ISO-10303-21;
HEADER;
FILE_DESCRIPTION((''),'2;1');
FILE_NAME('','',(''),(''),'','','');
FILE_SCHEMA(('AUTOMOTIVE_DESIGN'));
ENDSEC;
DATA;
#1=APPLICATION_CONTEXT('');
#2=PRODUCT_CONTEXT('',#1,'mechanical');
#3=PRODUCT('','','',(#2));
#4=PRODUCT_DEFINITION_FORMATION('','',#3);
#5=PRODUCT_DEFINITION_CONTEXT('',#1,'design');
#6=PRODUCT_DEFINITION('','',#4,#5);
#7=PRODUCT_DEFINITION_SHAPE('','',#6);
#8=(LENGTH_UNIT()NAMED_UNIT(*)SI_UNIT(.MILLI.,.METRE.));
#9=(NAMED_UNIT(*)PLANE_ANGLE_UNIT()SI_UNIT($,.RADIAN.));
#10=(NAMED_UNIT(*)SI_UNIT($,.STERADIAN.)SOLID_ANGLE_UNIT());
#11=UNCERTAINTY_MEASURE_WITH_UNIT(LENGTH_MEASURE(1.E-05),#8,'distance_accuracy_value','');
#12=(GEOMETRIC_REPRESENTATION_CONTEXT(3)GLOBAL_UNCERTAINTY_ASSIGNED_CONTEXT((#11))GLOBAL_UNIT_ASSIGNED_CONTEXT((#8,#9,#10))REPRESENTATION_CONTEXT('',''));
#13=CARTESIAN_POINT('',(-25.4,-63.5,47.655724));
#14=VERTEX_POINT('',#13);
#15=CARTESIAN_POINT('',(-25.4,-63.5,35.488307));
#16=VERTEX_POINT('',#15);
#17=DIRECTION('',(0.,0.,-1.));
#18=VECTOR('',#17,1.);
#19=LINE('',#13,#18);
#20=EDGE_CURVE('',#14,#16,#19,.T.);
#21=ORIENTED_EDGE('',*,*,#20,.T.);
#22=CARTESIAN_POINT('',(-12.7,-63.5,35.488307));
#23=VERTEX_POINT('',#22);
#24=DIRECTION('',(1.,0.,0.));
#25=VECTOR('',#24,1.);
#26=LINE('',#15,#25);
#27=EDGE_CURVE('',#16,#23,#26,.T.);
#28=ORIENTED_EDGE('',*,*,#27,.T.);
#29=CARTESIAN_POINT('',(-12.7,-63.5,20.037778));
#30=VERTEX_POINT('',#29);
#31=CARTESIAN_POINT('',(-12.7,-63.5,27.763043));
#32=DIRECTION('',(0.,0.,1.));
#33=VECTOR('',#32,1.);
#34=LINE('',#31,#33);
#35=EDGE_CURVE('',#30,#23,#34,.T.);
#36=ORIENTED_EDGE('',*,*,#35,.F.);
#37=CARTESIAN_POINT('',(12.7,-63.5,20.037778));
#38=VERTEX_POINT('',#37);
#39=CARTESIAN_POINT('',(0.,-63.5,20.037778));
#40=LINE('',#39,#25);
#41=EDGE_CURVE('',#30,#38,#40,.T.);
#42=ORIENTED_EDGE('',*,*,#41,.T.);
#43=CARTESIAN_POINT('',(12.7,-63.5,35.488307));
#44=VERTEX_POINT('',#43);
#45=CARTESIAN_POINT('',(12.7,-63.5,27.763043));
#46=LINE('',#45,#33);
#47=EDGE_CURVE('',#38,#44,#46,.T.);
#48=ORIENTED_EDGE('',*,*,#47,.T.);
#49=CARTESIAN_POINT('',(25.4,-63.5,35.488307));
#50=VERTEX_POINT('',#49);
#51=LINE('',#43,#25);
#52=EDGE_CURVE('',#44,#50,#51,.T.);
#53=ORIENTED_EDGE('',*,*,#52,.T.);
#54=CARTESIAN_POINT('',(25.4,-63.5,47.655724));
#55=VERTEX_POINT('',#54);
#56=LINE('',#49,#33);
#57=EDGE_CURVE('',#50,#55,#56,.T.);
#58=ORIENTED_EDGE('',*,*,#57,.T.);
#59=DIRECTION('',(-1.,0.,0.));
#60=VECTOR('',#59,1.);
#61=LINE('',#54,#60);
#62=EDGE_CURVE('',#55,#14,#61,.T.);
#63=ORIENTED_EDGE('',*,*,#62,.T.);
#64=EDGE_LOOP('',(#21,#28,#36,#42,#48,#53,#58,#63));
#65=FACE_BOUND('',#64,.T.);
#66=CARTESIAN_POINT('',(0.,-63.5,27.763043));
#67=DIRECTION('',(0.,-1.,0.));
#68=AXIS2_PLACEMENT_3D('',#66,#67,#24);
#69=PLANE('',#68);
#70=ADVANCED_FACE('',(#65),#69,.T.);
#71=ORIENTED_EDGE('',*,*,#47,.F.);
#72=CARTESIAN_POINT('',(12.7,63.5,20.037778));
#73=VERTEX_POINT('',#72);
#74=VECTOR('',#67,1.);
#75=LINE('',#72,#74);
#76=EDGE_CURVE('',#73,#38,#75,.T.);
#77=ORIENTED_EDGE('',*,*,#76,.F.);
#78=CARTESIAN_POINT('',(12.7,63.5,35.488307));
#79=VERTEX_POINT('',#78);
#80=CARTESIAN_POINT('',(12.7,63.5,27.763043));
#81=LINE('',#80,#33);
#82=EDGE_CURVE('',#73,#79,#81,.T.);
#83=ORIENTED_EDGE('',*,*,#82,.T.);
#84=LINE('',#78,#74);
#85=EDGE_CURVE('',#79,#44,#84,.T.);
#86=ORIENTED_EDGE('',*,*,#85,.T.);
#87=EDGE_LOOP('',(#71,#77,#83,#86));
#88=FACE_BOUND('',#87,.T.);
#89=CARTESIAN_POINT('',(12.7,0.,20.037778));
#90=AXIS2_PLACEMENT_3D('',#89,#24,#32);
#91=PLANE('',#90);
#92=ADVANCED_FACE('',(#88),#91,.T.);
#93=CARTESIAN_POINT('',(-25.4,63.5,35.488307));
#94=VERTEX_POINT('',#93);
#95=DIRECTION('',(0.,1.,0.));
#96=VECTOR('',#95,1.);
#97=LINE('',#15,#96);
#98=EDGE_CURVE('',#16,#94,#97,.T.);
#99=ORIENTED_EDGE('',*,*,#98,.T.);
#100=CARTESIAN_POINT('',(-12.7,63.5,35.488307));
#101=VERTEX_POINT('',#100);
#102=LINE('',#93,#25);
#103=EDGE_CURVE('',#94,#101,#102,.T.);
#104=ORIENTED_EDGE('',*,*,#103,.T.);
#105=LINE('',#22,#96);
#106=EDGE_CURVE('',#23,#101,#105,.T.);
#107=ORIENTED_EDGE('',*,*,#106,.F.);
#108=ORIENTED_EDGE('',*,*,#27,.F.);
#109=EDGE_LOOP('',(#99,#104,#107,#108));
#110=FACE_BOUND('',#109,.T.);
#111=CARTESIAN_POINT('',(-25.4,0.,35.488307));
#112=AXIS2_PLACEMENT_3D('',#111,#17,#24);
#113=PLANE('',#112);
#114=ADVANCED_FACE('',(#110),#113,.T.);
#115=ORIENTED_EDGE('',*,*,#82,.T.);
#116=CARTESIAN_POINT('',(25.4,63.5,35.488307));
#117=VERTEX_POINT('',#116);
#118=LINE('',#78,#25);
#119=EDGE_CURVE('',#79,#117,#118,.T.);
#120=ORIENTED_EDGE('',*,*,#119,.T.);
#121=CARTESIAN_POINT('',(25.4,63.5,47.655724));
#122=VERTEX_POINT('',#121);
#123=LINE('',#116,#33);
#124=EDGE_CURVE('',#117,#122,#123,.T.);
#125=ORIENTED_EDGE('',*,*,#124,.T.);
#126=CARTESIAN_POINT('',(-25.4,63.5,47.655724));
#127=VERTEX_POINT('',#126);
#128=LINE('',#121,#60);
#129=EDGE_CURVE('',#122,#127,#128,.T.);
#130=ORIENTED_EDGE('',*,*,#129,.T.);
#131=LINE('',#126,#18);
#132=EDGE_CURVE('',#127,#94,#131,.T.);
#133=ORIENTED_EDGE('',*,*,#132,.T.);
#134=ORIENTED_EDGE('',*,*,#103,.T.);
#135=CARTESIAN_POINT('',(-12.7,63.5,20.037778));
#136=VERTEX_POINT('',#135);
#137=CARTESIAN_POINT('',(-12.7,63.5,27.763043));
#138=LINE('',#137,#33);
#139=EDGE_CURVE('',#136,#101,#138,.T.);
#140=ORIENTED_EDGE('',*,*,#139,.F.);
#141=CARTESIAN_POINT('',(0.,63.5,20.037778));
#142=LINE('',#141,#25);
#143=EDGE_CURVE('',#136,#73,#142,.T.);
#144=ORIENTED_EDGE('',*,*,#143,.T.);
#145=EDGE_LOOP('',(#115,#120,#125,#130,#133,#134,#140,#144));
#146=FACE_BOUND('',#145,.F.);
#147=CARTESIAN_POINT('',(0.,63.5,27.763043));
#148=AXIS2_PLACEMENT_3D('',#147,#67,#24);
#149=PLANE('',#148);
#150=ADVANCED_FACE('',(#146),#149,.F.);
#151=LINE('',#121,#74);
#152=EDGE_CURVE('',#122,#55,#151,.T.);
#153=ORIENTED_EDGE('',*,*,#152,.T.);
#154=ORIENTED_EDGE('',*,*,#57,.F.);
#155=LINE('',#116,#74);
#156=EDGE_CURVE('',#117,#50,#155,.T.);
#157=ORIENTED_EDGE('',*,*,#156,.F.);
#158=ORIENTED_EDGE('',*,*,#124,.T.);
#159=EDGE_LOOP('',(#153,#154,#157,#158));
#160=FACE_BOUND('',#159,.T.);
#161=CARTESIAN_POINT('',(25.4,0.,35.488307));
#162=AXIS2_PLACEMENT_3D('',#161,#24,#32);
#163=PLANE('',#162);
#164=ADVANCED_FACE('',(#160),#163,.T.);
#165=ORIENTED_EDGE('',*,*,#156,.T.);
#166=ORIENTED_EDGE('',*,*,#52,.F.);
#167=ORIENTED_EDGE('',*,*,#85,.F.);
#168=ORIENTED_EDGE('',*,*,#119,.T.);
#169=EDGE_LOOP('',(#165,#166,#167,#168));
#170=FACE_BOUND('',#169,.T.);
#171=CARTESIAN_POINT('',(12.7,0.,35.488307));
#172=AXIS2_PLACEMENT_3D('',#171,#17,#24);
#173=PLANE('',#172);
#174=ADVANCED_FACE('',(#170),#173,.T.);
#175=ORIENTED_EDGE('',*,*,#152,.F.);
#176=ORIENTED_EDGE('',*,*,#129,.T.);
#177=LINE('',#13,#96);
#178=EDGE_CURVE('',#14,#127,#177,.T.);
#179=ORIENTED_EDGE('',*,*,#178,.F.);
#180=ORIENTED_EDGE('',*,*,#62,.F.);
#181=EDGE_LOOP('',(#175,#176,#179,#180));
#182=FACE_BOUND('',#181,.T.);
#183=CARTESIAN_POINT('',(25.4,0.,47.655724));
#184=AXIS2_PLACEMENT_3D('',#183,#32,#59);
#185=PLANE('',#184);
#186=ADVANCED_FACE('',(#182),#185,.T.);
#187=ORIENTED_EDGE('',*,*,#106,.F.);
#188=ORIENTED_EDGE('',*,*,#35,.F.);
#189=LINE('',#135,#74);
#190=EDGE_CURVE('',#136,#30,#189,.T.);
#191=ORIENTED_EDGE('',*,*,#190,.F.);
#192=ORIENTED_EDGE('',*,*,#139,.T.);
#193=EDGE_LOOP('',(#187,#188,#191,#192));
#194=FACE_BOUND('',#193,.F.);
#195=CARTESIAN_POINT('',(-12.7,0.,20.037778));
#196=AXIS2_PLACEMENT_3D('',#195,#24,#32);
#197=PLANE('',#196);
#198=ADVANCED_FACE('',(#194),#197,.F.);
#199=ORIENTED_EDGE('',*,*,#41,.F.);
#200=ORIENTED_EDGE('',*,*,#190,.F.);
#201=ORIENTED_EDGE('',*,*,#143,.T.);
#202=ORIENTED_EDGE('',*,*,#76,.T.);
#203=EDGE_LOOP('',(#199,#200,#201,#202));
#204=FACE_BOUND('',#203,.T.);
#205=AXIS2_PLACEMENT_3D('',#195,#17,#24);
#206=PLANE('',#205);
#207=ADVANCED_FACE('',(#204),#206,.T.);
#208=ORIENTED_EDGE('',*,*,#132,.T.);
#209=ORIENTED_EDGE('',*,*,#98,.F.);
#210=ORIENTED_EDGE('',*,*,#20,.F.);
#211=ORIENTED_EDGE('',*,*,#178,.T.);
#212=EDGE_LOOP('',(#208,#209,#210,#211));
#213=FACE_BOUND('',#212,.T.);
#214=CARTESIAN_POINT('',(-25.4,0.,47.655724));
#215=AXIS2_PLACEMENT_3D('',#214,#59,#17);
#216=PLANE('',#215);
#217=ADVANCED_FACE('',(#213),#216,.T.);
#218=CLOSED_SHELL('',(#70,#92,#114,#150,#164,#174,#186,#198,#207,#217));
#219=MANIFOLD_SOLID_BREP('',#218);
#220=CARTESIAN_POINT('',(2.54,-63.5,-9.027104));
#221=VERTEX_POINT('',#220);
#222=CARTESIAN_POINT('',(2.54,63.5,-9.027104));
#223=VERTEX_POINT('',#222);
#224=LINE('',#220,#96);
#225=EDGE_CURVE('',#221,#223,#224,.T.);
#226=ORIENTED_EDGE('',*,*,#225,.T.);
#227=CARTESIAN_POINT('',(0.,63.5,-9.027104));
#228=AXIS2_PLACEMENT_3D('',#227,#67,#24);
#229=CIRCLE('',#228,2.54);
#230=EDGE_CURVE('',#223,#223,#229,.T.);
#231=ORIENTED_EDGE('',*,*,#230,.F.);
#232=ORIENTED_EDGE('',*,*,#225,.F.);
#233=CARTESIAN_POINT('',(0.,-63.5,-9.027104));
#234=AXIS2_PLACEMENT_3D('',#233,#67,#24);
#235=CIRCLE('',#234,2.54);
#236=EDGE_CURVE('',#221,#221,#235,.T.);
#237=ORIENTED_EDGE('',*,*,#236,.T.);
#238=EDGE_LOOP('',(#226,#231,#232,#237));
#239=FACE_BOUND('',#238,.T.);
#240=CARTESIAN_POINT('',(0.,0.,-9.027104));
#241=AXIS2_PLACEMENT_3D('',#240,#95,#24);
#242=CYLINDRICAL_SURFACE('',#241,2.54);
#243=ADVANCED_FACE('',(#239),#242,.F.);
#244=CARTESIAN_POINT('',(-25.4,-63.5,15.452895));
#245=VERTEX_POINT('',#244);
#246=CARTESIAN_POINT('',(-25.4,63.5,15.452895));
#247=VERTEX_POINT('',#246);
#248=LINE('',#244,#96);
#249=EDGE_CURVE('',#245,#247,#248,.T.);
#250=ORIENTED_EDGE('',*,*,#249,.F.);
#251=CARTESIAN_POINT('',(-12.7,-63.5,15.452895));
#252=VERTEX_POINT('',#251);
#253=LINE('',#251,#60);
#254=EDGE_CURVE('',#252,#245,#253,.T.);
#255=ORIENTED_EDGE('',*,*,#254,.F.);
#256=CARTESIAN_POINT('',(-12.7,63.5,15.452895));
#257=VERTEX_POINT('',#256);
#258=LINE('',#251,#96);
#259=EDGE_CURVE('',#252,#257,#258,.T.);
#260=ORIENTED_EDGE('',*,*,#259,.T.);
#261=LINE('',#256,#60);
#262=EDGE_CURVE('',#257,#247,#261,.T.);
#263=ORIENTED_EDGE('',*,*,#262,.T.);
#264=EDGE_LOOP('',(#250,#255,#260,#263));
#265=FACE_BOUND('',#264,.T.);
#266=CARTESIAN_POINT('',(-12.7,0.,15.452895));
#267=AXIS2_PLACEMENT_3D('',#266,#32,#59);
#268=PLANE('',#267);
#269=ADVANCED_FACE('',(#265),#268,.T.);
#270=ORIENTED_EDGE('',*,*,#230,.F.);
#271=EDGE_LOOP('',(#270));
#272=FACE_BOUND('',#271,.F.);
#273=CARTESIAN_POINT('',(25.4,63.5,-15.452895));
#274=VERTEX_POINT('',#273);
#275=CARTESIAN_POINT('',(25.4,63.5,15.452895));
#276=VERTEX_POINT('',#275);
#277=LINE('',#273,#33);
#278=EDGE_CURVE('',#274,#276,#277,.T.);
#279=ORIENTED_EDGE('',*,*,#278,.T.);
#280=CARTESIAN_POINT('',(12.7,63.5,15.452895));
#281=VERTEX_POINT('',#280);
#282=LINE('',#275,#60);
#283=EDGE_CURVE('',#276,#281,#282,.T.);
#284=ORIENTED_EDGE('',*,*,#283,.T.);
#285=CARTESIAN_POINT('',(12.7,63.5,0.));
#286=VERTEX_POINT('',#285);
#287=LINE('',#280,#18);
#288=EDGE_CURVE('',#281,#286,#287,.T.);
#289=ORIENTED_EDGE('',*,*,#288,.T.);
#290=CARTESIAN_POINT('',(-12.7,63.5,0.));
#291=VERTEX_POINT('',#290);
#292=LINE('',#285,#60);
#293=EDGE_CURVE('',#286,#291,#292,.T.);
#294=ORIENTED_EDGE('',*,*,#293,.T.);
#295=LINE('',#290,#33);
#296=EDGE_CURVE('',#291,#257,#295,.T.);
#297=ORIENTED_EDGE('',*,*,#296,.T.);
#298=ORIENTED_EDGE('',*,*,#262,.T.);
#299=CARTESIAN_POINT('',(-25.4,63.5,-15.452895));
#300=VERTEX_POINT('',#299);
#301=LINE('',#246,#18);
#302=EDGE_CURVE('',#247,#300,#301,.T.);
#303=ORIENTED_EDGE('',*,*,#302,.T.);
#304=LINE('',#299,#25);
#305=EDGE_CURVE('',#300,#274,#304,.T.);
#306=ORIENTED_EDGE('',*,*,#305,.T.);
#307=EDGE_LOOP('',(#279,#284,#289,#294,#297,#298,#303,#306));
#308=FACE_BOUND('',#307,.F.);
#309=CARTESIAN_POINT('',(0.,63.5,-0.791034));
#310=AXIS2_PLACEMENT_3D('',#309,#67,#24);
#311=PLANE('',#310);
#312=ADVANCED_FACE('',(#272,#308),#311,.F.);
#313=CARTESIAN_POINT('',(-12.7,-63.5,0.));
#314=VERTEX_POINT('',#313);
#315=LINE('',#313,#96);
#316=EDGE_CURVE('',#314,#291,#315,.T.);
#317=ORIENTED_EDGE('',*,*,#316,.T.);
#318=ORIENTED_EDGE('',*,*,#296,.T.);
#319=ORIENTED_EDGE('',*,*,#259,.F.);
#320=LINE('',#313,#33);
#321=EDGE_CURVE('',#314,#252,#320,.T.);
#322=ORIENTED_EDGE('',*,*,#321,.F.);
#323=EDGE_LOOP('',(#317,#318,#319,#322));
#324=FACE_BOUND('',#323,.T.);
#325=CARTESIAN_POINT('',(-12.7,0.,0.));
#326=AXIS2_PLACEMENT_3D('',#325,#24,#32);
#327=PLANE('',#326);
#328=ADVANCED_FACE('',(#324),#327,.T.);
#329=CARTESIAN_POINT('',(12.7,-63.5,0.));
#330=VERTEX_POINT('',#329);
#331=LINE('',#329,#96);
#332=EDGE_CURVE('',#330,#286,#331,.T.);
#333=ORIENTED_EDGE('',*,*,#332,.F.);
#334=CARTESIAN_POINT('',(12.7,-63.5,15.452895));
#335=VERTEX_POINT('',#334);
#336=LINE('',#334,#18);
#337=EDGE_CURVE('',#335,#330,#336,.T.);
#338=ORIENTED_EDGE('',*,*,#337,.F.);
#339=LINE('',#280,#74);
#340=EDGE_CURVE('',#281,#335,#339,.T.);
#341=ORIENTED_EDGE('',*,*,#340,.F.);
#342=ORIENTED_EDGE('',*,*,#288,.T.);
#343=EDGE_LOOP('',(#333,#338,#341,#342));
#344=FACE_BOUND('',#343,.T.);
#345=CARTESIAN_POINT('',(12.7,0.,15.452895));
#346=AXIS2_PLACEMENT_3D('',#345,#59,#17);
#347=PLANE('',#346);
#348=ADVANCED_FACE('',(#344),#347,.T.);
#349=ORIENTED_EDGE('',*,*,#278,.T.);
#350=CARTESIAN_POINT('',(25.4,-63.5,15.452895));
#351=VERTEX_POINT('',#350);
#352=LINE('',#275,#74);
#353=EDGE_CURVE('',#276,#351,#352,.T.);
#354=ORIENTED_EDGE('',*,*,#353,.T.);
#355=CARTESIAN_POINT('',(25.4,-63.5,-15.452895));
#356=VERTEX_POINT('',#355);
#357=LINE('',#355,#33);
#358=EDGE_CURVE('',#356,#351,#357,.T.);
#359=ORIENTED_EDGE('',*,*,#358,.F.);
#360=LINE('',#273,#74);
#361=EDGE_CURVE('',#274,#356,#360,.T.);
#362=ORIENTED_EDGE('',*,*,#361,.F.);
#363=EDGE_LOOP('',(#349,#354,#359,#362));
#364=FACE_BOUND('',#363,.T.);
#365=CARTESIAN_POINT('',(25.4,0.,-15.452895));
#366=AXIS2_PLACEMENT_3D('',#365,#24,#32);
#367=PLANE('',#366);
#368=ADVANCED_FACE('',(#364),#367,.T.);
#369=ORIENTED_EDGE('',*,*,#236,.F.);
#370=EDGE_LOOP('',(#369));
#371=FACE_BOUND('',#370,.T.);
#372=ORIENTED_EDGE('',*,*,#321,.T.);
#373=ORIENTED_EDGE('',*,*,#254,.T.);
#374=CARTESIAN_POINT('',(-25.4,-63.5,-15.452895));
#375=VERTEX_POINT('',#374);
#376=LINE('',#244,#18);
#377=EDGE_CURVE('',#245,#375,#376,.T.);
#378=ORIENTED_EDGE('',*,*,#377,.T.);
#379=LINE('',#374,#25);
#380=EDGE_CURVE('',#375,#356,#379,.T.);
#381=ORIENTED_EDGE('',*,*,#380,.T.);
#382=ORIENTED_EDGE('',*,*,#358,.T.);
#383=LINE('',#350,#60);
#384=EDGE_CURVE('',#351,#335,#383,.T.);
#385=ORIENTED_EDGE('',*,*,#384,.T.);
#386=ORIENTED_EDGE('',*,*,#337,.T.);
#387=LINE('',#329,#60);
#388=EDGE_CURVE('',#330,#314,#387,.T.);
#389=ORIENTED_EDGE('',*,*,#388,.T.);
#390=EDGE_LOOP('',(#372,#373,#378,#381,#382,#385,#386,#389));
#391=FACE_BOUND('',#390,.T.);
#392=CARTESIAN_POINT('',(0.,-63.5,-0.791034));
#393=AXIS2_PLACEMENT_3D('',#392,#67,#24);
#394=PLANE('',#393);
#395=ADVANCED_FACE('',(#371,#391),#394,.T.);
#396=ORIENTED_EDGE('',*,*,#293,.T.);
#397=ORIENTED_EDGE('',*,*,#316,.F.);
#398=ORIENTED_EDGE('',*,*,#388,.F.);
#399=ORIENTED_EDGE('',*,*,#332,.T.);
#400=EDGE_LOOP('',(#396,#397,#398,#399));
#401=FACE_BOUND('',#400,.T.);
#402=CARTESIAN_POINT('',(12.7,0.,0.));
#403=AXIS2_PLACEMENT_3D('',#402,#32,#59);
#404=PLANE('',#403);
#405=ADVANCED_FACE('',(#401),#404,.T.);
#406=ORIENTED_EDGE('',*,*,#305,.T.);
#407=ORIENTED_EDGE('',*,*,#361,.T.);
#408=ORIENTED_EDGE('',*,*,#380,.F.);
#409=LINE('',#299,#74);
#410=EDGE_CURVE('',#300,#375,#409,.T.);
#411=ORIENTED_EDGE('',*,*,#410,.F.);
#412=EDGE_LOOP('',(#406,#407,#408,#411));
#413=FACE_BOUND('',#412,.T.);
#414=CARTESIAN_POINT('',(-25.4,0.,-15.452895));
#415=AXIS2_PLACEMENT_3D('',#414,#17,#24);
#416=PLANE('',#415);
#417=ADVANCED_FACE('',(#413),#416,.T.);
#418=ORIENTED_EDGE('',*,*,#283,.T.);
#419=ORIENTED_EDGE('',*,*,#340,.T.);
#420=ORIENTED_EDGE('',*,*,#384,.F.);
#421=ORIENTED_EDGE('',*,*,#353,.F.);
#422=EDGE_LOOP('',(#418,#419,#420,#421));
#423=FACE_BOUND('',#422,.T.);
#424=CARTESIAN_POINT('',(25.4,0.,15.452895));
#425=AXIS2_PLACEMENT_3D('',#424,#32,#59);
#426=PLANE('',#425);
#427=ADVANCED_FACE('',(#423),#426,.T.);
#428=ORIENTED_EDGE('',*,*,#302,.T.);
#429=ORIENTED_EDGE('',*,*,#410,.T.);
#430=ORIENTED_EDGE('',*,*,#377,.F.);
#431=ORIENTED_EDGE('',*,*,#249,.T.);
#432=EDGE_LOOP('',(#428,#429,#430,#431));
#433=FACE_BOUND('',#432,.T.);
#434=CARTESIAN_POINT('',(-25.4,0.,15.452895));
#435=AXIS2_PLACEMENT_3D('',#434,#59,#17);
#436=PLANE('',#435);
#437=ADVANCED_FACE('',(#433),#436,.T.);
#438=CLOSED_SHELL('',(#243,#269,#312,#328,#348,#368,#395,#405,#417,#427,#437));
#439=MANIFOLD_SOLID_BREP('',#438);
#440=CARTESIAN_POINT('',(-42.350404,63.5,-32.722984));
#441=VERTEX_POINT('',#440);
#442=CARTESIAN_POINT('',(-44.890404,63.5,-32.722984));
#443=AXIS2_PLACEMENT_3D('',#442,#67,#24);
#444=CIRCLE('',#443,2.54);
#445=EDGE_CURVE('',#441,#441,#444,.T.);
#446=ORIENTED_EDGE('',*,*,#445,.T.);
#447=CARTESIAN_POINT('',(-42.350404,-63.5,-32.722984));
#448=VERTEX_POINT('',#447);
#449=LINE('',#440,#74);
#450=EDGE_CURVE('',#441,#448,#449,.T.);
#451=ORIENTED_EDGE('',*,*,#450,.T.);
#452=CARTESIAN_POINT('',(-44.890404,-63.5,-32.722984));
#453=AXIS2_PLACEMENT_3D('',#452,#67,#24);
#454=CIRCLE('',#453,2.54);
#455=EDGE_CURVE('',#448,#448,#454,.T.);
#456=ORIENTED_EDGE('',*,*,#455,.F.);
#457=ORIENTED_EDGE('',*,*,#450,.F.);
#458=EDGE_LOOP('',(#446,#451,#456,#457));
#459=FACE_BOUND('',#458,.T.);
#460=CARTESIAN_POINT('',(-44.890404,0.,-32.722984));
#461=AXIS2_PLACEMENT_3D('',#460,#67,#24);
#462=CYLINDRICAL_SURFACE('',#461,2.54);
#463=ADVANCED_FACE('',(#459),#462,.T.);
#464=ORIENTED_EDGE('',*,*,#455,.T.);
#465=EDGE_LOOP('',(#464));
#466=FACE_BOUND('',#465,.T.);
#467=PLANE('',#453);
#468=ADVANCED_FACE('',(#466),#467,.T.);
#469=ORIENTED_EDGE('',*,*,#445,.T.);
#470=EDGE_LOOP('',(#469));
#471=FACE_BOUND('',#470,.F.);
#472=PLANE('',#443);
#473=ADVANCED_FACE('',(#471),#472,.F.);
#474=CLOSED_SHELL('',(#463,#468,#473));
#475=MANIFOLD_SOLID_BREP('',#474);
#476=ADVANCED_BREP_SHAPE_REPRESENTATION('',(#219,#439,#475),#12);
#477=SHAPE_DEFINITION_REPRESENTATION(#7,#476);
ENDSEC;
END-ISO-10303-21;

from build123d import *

# Parameters (mm, degrees)
F0_R     = 2.54
F1_DEPTH = 63.5
F2_W     = 25.4
F2_H     = 15.4505290857
F2_H_2   = 9.0087315817
F3_DEPTH = 63.5
F4_R     = 2.54
F5_DEPTH = 63.5


with BuildPart() as f1:
    # F0 (on Front) → F1 (new body, symmetric)
    with BuildSketch(Plane.XZ):
        Polygon((-25.4, 15.4528948274), (-25.4, -15.4528948274), (25.4, -15.4528948274), (25.4, 15.4528948274), (12.7, 15.4528948274), (12.7, 0), (-12.7, 0), (-12.7, 15.4528948274), align=None)
        with Locations((0, -9.0271038935)):
            Circle(F0_R, mode=Mode.SUBTRACT)
    extrude(amount=F1_DEPTH, both=True)


with BuildPart() as f3:
    # F2 (on Front) → F3 (new body, symmetric)
    with BuildSketch(Plane.XZ):
        with Locations((0, 27.7630429332)):
            Rectangle(F2_W, F2_H)
        Polygon((-25.4, 35.488307476), (-12.7, 35.488307476), (-12.7, 44.4970390577), (12.7, 44.4970390577), (12.7, 35.488307476), (25.4, 35.488307476), (25.4, 47.655723989), (-25.4, 47.655723989), align=None)
        with Locations((0, 39.9926732669)):
            Rectangle(F2_W, F2_H_2)
    extrude(amount=F3_DEPTH, both=True)


with BuildPart() as f5:
    # F4 (on Front) → F5 (new body, symmetric)
    with BuildSketch(Plane.XZ):
        with Locations((-44.8904037476, -32.7229835093)):
            Circle(F4_R)
    extrude(amount=F5_DEPTH, both=True)


solid = Compound([f1.part, f3.part, f5.part])
